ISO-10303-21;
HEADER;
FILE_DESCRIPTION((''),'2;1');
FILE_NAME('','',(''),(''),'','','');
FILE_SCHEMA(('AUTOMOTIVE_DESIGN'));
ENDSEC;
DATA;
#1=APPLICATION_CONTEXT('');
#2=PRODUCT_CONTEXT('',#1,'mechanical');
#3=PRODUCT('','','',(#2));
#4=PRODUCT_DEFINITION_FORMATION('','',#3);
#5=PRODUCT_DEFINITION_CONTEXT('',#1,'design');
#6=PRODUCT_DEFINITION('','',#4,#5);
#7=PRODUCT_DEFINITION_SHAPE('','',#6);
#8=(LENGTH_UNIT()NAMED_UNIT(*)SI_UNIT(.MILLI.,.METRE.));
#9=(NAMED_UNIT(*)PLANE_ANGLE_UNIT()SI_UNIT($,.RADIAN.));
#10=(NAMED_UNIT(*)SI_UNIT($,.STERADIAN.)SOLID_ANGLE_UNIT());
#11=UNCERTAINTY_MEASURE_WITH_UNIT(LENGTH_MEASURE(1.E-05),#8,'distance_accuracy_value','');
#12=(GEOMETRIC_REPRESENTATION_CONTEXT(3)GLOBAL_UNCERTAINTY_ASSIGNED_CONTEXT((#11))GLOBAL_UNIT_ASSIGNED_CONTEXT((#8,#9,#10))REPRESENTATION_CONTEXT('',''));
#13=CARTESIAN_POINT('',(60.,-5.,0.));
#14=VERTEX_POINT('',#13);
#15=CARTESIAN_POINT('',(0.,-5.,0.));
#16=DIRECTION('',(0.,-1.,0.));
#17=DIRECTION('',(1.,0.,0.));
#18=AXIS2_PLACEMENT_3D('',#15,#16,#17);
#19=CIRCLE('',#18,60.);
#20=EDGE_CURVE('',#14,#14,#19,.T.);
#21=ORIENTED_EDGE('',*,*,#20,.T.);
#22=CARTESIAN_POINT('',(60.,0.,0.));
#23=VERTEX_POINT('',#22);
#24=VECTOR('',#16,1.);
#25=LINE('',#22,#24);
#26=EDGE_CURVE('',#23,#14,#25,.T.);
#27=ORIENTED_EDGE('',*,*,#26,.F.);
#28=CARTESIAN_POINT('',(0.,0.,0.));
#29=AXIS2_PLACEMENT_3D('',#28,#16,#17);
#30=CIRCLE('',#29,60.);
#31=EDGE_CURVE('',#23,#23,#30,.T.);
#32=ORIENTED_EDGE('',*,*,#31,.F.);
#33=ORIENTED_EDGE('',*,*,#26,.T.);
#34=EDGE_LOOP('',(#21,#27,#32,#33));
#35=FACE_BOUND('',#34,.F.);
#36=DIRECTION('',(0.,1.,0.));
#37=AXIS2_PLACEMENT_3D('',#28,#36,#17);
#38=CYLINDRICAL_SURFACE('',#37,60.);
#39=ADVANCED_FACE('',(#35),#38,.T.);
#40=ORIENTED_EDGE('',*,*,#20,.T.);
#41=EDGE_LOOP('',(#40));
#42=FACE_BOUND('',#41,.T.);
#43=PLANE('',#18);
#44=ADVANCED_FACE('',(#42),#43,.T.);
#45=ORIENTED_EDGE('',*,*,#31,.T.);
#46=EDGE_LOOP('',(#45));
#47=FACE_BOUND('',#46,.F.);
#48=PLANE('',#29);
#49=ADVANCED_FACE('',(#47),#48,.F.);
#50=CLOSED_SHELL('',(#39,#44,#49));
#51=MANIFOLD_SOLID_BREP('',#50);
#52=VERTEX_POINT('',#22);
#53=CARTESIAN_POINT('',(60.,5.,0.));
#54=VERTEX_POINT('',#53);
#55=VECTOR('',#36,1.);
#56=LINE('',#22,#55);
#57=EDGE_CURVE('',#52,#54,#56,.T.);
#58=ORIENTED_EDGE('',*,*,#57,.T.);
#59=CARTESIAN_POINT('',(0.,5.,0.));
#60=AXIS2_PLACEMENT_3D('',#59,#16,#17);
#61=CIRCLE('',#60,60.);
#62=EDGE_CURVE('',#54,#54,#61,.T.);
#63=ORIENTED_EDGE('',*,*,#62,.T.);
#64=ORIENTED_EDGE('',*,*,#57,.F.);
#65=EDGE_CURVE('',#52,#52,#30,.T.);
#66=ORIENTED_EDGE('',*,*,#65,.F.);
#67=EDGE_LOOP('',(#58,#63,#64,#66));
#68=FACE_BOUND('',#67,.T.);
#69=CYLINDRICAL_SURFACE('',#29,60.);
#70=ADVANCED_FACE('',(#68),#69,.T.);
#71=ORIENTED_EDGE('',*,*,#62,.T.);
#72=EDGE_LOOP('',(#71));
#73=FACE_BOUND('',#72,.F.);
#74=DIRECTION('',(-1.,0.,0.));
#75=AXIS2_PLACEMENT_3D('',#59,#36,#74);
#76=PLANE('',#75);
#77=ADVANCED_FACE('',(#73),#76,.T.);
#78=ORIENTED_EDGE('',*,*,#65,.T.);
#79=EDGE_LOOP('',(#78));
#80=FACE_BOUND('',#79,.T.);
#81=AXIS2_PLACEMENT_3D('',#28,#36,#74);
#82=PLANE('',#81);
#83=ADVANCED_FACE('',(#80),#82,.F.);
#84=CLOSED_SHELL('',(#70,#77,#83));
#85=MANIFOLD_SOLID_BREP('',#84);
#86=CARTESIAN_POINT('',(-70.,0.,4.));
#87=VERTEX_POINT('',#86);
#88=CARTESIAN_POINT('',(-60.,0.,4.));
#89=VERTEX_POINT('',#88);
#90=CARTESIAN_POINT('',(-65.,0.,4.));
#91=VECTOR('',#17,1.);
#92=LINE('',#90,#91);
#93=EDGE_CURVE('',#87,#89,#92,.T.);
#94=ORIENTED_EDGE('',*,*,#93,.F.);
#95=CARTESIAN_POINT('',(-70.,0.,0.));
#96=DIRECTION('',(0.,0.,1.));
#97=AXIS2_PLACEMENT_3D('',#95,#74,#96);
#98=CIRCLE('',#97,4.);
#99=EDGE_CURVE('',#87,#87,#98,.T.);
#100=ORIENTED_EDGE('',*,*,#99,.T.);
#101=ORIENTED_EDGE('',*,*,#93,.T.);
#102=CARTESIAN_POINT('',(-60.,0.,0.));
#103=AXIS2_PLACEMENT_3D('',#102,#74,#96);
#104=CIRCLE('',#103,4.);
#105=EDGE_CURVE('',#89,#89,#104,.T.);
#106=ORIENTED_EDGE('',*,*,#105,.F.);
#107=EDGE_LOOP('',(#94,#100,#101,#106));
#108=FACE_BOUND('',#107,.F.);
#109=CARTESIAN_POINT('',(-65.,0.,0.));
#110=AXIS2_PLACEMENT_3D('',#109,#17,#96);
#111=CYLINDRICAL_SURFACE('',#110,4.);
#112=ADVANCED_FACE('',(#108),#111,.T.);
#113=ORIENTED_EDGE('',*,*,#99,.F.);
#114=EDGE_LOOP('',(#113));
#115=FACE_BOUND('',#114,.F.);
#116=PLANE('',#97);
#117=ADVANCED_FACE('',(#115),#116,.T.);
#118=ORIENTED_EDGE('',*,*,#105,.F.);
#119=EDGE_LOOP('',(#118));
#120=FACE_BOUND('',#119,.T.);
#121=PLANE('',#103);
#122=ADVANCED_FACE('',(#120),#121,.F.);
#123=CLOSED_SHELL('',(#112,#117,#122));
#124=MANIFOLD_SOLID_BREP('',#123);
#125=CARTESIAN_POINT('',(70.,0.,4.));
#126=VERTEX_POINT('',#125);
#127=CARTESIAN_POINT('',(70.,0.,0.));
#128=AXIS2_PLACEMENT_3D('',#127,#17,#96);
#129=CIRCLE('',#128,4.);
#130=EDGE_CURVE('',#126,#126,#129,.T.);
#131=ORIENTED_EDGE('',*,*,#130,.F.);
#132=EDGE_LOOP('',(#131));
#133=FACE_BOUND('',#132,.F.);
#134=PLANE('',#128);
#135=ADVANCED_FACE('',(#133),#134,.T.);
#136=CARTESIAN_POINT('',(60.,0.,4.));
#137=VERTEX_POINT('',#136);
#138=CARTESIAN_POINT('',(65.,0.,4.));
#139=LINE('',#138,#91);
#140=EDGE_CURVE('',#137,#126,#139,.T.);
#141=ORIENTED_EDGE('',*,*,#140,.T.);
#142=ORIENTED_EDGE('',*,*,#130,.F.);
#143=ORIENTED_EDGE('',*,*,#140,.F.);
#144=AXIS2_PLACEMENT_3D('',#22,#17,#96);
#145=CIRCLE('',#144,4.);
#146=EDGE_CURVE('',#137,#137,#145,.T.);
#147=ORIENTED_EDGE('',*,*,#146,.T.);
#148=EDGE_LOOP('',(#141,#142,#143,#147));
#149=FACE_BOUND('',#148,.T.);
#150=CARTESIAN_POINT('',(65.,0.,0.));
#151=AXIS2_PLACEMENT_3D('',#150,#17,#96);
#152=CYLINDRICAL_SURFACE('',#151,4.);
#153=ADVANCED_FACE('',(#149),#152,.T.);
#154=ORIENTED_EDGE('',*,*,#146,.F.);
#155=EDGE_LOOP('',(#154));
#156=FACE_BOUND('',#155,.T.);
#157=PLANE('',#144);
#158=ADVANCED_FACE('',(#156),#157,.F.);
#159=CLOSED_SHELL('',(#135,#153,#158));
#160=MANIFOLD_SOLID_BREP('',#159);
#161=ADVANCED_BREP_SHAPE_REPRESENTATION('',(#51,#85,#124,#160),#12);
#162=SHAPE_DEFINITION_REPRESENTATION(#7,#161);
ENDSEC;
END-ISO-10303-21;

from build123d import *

# Parameters (mm, degrees)
F1_W     = 10
F1_H     = 4
F2_W     = 10
F2_H     = 4
F0_R     = 60
F5_DEPTH = 5


with BuildPart() as f3:
    # F1 (on Front) → F3 (revolve)
    with BuildSketch(Plane.XZ):
        with Locations((-65, 2)):
            Rectangle(F1_W, F1_H)
    revolve(axis=Axis((-65, 0, 0), (-1, 0, 0)))


with BuildPart() as f4:
    # F2 (on Front) → F4 (revolve)
    with BuildSketch(Plane.XZ):
        with Locations((65, 2)):
            Rectangle(F2_W, F2_H)
    revolve(axis=Axis((65, 0, 0), (1, 0, 0)))


with BuildPart() as f5:
    # F0 (on Front) → F5 (new body)
    with BuildSketch(Plane.XZ):
        Circle(F0_R)
    extrude(amount=F5_DEPTH)


with BuildPart() as f6_1:
    # F6: instance of F5
    add(f5.part.mirror(Plane.XZ))


solid = Compound([f3.part, f4.part, f5.part, f6_1.part])
